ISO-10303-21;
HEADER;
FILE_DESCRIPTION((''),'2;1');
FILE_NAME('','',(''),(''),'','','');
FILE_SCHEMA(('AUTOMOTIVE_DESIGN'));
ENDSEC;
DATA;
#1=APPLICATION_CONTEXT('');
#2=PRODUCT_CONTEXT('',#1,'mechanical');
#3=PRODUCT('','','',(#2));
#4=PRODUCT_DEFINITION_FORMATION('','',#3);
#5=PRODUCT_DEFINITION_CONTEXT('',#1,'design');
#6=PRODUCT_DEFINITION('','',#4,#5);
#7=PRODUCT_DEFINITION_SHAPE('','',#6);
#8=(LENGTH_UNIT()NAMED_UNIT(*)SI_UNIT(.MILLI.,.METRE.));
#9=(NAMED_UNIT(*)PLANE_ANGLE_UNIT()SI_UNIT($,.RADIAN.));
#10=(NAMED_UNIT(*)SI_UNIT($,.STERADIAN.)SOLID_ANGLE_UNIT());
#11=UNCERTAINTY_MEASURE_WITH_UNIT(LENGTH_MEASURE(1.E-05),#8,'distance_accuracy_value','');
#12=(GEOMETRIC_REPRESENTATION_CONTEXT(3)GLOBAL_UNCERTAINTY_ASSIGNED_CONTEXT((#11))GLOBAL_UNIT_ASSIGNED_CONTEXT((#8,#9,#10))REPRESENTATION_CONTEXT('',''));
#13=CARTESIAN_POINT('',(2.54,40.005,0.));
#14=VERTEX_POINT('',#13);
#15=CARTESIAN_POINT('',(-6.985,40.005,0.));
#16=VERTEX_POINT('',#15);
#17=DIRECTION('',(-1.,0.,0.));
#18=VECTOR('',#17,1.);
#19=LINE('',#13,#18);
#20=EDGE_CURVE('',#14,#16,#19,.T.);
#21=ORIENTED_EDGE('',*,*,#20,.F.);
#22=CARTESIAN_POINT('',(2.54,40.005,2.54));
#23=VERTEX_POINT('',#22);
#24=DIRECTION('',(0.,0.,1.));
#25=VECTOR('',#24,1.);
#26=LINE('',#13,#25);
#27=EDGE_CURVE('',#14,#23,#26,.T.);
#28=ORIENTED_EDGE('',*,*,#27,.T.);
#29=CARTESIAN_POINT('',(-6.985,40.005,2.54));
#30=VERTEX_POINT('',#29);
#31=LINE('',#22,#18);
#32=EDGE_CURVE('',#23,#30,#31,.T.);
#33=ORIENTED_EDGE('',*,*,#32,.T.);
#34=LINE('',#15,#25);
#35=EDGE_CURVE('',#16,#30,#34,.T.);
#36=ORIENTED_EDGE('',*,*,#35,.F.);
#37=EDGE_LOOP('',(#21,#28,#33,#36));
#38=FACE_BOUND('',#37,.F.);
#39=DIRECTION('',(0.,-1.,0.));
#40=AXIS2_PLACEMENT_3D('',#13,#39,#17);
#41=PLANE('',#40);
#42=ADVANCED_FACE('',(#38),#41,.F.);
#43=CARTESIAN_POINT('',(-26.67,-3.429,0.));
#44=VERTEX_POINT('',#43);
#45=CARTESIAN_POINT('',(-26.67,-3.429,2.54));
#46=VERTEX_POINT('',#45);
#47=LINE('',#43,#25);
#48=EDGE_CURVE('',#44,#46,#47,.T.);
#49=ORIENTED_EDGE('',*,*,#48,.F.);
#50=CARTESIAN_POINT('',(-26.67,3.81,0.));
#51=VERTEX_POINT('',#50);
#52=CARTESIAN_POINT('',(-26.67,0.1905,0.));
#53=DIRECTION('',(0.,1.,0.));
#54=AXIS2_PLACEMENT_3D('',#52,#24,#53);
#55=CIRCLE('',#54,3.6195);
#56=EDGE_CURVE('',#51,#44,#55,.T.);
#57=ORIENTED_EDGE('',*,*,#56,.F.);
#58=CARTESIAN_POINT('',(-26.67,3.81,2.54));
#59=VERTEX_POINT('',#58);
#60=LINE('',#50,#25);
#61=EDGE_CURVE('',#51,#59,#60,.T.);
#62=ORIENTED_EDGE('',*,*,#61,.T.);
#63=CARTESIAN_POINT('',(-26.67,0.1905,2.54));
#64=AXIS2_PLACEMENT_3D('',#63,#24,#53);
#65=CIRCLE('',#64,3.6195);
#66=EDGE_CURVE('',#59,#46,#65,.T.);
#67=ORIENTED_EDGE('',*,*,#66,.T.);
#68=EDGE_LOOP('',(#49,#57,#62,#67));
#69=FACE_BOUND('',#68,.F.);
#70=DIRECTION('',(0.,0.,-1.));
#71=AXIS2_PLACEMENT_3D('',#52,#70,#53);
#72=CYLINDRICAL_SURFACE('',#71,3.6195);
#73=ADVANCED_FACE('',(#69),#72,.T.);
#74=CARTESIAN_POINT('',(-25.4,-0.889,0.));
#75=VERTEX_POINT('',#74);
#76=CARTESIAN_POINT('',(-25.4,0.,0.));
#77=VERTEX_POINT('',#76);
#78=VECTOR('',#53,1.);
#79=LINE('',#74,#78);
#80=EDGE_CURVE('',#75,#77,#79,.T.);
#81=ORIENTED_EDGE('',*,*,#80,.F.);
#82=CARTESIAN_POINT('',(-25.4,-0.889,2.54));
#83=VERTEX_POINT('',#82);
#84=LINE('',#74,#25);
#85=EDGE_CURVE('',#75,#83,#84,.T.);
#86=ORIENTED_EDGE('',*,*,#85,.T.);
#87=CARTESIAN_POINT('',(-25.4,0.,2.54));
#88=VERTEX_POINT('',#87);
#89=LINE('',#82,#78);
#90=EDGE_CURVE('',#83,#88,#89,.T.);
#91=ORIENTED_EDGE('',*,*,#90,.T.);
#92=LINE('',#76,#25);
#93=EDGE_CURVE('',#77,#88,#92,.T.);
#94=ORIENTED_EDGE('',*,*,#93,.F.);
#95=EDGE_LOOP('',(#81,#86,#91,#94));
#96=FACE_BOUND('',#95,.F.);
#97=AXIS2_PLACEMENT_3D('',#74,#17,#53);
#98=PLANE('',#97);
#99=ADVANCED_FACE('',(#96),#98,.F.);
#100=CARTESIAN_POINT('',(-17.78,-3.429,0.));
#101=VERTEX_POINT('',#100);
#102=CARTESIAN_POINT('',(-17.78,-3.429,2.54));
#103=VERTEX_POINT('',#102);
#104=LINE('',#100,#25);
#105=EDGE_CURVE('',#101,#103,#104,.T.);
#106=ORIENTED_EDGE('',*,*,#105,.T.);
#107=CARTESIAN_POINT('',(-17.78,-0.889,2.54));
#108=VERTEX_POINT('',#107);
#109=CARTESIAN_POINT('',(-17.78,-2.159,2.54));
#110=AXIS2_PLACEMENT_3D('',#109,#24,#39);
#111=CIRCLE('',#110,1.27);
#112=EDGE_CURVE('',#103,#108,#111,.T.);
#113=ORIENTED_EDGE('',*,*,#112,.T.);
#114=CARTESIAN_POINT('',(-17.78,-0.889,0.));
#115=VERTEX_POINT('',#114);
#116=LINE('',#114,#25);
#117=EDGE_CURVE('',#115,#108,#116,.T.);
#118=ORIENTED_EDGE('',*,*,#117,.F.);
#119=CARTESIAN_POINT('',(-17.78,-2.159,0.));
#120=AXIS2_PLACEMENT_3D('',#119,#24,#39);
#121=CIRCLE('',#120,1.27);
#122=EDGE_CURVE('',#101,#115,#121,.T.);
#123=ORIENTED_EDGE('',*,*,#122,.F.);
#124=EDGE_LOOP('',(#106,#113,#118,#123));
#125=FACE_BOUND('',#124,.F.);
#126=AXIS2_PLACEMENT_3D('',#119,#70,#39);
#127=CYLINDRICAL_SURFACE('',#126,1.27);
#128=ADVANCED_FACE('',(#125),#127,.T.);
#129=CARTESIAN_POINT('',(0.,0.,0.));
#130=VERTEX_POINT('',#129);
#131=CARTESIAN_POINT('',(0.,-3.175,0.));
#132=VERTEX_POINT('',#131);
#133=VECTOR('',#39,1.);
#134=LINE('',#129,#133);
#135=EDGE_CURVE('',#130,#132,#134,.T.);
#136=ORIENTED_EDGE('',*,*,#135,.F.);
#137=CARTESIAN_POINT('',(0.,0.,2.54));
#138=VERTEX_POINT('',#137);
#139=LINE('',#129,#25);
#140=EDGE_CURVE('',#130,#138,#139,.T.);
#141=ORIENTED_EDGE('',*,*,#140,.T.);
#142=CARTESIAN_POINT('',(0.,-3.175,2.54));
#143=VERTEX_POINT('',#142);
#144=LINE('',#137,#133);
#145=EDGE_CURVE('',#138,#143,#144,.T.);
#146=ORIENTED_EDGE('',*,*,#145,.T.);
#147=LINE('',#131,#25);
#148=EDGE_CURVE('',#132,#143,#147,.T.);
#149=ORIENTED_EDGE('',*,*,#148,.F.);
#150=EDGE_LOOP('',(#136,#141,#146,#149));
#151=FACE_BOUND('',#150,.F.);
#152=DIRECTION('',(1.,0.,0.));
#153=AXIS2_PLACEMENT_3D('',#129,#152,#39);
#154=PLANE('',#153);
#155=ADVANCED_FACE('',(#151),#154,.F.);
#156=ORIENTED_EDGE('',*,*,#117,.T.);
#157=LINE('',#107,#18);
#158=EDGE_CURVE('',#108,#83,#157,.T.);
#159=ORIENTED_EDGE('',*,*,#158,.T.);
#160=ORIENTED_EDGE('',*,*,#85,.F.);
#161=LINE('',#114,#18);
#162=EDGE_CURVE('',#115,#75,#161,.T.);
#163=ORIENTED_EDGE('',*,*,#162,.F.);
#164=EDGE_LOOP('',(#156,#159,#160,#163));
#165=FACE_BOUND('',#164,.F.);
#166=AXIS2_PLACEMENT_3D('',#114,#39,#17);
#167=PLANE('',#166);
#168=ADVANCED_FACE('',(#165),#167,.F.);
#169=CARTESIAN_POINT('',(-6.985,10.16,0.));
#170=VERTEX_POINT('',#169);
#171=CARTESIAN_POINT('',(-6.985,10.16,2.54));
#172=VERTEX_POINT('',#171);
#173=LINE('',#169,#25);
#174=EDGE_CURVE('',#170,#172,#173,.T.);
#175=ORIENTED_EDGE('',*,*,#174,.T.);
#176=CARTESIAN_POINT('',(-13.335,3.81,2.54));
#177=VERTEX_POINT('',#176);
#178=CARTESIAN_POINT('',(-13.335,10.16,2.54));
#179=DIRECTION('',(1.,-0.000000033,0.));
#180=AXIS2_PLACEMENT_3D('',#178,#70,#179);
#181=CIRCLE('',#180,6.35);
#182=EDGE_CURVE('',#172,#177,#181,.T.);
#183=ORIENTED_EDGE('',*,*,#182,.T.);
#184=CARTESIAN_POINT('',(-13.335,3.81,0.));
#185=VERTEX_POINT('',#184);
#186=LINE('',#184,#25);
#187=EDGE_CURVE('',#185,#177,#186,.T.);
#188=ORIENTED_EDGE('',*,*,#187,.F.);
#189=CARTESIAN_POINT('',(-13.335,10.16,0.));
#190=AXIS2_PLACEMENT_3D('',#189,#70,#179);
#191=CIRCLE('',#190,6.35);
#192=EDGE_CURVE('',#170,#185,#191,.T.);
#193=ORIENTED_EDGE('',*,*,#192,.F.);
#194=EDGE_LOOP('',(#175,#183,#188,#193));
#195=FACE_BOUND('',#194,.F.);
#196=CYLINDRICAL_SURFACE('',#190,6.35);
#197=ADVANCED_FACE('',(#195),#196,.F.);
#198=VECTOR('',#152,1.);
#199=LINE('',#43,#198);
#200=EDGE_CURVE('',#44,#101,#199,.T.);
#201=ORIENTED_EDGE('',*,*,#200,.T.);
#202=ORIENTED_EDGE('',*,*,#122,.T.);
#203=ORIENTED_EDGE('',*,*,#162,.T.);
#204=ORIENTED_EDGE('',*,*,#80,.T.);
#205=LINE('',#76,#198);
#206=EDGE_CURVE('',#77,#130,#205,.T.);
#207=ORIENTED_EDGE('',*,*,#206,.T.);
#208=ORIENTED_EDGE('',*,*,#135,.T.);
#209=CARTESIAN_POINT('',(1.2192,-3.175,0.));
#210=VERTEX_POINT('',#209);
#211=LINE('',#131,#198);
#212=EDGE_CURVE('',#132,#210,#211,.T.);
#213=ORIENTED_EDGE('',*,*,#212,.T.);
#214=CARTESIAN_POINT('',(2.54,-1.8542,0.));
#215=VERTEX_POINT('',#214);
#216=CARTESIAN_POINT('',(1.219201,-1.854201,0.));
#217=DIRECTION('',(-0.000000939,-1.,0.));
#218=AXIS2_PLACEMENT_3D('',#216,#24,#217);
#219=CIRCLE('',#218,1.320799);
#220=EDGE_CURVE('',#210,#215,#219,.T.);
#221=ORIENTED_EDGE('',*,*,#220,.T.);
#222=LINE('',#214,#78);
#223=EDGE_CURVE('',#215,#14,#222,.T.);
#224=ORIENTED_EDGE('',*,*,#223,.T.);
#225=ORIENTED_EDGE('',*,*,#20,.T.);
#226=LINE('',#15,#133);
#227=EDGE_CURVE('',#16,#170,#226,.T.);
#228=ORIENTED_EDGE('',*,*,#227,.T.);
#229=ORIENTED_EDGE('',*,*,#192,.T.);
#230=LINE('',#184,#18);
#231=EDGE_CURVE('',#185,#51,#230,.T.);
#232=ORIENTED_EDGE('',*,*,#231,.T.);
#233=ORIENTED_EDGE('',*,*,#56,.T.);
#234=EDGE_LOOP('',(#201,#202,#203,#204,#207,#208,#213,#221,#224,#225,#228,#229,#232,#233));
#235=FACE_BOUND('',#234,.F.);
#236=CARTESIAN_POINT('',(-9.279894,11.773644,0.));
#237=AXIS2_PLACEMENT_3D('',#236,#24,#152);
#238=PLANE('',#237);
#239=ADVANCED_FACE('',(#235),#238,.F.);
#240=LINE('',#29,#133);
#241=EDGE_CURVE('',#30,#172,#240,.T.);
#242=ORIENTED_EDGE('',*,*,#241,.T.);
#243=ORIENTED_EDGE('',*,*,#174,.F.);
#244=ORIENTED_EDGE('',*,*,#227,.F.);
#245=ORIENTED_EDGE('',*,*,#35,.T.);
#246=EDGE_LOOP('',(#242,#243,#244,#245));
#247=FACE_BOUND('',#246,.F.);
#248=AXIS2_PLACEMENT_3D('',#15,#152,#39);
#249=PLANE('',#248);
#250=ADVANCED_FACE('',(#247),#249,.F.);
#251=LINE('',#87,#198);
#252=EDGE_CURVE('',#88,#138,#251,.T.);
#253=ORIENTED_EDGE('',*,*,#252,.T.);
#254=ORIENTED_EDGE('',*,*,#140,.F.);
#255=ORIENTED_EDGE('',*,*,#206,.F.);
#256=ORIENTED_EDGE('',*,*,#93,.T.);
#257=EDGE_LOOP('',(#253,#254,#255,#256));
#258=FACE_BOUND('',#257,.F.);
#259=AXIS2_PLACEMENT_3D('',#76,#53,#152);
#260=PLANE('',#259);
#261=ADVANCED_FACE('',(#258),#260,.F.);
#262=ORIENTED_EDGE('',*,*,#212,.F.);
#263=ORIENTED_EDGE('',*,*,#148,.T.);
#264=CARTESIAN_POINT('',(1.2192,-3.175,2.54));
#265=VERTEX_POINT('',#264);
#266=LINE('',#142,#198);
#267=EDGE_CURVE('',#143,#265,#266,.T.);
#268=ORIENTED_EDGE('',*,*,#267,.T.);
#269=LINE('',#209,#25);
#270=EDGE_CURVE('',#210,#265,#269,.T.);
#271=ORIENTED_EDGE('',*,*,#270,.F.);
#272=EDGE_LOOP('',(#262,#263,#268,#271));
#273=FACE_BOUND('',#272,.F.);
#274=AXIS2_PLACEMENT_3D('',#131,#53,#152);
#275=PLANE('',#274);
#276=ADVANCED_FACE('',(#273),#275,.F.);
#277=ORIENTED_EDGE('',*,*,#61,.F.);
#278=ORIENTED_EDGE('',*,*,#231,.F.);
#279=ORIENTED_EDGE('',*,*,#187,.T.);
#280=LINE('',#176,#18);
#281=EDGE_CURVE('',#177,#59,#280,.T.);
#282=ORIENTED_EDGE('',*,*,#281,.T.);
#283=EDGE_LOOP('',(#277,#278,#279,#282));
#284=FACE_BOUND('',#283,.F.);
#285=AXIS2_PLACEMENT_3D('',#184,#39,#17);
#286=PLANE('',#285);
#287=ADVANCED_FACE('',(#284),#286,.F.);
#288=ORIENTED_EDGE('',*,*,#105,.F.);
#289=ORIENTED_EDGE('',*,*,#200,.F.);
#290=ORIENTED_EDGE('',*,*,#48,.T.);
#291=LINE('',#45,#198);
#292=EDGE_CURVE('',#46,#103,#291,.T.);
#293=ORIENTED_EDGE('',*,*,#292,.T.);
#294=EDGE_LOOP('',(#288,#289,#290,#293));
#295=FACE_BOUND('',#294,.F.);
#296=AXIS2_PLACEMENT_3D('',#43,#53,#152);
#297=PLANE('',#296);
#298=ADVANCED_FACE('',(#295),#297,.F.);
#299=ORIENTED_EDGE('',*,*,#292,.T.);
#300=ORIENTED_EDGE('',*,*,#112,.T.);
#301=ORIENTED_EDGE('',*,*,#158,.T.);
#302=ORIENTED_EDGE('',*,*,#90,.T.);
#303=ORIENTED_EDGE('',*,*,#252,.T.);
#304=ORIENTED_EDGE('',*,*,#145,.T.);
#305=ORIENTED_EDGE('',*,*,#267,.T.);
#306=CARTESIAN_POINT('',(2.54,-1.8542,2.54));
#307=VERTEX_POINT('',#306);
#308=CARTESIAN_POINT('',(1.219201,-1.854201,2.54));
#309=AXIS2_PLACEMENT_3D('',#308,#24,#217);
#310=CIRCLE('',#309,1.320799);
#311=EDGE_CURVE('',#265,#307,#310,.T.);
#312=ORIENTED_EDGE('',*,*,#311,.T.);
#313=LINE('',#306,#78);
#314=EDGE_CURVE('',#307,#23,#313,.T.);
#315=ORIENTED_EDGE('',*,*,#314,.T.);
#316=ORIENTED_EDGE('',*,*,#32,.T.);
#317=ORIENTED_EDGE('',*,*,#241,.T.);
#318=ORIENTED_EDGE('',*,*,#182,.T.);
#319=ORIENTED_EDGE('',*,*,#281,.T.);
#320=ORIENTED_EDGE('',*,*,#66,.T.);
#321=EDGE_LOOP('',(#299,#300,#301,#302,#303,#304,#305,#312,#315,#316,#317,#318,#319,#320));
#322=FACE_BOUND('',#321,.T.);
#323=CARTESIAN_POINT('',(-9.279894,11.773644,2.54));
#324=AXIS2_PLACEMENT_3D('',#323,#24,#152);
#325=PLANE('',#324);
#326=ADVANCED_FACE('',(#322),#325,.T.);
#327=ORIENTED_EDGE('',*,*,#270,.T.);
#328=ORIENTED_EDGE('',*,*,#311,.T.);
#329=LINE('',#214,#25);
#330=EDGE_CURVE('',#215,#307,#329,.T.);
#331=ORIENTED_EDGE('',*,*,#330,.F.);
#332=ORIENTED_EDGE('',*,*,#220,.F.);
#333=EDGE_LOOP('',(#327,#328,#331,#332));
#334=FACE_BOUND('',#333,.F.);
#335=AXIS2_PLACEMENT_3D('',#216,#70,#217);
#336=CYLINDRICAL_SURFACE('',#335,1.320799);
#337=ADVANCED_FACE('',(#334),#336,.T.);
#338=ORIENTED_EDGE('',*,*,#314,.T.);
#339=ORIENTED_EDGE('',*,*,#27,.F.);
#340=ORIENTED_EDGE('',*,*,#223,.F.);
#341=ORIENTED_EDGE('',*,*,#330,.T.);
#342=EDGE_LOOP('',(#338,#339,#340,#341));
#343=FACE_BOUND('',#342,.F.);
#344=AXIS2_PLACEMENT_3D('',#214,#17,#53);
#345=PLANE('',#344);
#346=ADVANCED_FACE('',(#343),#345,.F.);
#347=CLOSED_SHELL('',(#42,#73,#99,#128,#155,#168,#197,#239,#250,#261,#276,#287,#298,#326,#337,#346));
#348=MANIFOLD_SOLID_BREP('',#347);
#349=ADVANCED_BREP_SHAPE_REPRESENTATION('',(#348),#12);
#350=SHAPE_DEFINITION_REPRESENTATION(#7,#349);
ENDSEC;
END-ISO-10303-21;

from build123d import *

# Parameters (mm, degrees)
F1_DEPTH = 2.54


with BuildPart() as f1:
    # F0 (on Top) → F1 (new body)
    with BuildSketch(Plane.XY):
        with BuildLine():
            Line((2.54, 40.005), (-6.985, 40.005))
            Line((-6.985, 40.005), (-6.985, 10.16))
            ThreePointArc((-6.985, 10.16), (-8.844872, 5.669872), (-13.335, 3.81))
            Line((-13.335, 3.81), (-26.67, 3.81))
            ThreePointArc((-26.67, 3.81), (-30.2895, 0.1905), (-26.67, -3.429))
            Line((-26.67, -3.429), (-17.78, -3.429))
            ThreePointArc((-17.78, -3.429), (-16.51, -2.159), (-17.78, -0.889))
            Line((-17.78, -0.889), (-25.4, -0.889))
            Line((-25.4, -0.889), (-25.4, 0))
            Line((-25.4, 0), (0, 0))
            Line((0, 0), (0, -3.175))
            Line((0, -3.175), (1.2192, -3.175))
            ThreePointArc((1.2192, -3.175), (2.153147, -2.788147), (2.54, -1.8542))
            Line((2.54, -1.8542), (2.54, 40.005))
        make_face()
    extrude(amount=F1_DEPTH)


solid = f1.part
